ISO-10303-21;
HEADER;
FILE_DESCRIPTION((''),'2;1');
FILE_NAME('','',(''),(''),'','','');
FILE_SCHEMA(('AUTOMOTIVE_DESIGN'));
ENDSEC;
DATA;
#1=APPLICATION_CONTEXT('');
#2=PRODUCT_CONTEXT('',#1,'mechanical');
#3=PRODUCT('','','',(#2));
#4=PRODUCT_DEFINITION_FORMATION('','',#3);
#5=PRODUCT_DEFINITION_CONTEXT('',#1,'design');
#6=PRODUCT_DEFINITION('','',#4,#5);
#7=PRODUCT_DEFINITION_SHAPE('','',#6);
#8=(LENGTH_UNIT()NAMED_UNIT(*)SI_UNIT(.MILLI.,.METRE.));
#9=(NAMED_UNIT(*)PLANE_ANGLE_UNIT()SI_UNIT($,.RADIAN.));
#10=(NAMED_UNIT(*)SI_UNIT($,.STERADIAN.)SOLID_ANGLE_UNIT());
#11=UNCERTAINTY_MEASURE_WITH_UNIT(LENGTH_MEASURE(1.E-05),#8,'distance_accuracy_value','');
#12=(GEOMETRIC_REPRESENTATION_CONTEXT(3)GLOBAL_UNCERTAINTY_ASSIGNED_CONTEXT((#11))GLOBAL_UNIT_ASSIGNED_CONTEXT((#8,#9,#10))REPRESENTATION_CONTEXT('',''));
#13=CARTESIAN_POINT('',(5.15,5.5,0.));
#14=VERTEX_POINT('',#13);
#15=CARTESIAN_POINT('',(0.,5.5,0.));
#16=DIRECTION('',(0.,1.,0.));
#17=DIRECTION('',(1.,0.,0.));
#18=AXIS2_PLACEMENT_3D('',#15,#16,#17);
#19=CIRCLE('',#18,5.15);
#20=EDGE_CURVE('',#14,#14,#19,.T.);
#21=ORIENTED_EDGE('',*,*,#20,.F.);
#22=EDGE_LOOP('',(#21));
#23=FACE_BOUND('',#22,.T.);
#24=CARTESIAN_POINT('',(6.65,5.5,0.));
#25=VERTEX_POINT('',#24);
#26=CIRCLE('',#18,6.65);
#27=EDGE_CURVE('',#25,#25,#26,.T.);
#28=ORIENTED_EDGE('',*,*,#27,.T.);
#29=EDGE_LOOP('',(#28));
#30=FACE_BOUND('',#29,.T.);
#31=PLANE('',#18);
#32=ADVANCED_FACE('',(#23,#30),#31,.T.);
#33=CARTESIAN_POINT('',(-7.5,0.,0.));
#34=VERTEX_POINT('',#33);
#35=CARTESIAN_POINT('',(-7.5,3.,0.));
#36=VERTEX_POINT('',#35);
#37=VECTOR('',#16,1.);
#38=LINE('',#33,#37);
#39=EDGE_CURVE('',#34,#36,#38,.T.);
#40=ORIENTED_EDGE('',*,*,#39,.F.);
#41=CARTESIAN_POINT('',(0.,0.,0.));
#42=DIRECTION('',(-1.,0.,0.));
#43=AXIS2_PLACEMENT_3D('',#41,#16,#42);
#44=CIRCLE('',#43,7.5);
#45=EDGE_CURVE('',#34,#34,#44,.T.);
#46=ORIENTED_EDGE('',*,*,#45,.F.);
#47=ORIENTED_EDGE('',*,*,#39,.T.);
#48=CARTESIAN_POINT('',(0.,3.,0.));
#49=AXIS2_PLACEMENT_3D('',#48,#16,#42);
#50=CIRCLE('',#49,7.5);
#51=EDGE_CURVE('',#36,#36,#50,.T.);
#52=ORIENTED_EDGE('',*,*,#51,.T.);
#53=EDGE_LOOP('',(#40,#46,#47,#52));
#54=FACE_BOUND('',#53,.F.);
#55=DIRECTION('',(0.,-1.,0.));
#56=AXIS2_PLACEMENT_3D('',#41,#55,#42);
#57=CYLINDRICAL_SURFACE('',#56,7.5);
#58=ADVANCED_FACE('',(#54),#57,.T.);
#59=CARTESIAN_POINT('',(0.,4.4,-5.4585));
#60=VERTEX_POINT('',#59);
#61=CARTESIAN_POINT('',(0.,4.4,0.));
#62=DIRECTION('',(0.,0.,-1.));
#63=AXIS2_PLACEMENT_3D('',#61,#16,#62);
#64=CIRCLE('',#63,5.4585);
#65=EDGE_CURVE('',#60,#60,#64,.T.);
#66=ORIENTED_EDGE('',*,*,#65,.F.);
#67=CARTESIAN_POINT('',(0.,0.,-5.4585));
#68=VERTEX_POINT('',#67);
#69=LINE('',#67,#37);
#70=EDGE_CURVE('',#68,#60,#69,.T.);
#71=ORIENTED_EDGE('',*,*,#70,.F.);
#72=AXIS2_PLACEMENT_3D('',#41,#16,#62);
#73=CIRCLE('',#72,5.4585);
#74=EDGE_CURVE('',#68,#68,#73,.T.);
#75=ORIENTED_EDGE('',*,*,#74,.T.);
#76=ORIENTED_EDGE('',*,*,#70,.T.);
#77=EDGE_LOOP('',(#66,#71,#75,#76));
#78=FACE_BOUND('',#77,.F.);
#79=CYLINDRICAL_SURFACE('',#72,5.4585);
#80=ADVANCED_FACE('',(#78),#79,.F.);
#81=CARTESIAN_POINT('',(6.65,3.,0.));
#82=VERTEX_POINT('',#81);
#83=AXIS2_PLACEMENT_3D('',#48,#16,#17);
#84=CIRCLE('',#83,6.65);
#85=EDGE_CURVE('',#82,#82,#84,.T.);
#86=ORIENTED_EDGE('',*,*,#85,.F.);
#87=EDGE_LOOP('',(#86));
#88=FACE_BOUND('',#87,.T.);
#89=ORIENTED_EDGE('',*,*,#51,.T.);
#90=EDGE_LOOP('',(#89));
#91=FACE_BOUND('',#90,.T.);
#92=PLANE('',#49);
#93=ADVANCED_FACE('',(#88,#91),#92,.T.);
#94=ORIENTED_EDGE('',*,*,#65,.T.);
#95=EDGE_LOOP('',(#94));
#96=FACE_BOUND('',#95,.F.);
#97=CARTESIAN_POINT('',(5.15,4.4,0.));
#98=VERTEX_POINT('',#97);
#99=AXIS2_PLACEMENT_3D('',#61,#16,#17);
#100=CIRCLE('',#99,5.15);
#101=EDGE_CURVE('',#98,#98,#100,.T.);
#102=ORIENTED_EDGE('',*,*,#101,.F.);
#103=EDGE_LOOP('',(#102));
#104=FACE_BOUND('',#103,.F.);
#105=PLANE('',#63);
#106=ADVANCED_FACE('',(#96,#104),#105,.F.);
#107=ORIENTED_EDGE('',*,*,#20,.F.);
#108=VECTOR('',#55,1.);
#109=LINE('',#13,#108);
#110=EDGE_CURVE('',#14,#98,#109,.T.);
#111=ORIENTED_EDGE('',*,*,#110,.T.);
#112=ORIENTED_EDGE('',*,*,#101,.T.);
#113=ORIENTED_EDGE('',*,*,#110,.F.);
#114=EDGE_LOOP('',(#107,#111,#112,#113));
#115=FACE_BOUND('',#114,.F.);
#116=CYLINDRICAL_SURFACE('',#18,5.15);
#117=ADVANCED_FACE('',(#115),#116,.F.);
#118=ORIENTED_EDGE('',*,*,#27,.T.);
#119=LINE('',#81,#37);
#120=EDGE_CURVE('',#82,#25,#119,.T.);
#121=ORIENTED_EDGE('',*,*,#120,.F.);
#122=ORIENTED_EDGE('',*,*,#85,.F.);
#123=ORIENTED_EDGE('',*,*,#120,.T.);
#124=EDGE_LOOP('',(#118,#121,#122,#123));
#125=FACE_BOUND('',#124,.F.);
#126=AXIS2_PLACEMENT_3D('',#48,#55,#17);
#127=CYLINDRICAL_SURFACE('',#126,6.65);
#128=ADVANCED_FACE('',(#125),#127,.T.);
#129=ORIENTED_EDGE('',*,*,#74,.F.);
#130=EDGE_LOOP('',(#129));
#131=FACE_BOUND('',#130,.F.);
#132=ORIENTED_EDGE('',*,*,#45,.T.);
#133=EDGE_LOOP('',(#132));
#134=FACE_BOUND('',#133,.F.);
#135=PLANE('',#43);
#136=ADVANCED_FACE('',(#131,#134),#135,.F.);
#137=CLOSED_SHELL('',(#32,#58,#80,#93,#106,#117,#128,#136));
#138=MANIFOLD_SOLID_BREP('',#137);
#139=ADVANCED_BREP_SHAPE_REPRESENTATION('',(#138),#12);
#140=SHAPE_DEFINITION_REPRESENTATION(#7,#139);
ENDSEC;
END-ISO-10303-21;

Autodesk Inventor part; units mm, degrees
ref_plane "YZ Plane" through (0, 0, 0) normal (1, 0, 0) x (0, 1, 0)
ref_plane "XZ Plane" through (0, 0, 0) normal (0, 1, 0) x (-1, 0, 0)
ref_plane "XY Plane" through (0, 0, 0) normal (0, 0, 1) x (1, 0, 0)
sketch "Sketch1" plane through (0, 0, 0) normal (0, 1, 0) x (-1, 0, 0)
  circle A0 centre (0, 0) radius 7.5
  dimension "d0" = 15
extrude "Extrusion1" add sketch "Sketch1" along normal blind 3
sketch "Sketch2" plane through (0, 3, 0) normal (0, 1, 0) x (1, 0, 0)
  circle A0 centre (0, 0) radius 7.5 projected
  circle A1 centre (0, 0) radius 6.65
  dimension "d3" = 13.3
extrude "Extrusion2" add sketch "Sketch2" along normal blind 2.5 contours A1
sketch "Sketch3" plane through (0, 5.5, 0) normal (0, 1, 0) x (1, 0, 0)
  circle A0 centre (0, 0) radius 6.65 projected
  circle A1 centre (0, 0) radius 5.15
  dimension "d6" = 10.3
extrude "Extrusion3" cut sketch "Sketch3" against normal through all contours A1
hole "Hole1" at (0, 0, 0) direction (0, 1, 0) diameter 10.917 depth 4.4 thread size "M12x1" class "6H" standard "ISO Metric profile"
properties part number "500-102" material "Steel"
